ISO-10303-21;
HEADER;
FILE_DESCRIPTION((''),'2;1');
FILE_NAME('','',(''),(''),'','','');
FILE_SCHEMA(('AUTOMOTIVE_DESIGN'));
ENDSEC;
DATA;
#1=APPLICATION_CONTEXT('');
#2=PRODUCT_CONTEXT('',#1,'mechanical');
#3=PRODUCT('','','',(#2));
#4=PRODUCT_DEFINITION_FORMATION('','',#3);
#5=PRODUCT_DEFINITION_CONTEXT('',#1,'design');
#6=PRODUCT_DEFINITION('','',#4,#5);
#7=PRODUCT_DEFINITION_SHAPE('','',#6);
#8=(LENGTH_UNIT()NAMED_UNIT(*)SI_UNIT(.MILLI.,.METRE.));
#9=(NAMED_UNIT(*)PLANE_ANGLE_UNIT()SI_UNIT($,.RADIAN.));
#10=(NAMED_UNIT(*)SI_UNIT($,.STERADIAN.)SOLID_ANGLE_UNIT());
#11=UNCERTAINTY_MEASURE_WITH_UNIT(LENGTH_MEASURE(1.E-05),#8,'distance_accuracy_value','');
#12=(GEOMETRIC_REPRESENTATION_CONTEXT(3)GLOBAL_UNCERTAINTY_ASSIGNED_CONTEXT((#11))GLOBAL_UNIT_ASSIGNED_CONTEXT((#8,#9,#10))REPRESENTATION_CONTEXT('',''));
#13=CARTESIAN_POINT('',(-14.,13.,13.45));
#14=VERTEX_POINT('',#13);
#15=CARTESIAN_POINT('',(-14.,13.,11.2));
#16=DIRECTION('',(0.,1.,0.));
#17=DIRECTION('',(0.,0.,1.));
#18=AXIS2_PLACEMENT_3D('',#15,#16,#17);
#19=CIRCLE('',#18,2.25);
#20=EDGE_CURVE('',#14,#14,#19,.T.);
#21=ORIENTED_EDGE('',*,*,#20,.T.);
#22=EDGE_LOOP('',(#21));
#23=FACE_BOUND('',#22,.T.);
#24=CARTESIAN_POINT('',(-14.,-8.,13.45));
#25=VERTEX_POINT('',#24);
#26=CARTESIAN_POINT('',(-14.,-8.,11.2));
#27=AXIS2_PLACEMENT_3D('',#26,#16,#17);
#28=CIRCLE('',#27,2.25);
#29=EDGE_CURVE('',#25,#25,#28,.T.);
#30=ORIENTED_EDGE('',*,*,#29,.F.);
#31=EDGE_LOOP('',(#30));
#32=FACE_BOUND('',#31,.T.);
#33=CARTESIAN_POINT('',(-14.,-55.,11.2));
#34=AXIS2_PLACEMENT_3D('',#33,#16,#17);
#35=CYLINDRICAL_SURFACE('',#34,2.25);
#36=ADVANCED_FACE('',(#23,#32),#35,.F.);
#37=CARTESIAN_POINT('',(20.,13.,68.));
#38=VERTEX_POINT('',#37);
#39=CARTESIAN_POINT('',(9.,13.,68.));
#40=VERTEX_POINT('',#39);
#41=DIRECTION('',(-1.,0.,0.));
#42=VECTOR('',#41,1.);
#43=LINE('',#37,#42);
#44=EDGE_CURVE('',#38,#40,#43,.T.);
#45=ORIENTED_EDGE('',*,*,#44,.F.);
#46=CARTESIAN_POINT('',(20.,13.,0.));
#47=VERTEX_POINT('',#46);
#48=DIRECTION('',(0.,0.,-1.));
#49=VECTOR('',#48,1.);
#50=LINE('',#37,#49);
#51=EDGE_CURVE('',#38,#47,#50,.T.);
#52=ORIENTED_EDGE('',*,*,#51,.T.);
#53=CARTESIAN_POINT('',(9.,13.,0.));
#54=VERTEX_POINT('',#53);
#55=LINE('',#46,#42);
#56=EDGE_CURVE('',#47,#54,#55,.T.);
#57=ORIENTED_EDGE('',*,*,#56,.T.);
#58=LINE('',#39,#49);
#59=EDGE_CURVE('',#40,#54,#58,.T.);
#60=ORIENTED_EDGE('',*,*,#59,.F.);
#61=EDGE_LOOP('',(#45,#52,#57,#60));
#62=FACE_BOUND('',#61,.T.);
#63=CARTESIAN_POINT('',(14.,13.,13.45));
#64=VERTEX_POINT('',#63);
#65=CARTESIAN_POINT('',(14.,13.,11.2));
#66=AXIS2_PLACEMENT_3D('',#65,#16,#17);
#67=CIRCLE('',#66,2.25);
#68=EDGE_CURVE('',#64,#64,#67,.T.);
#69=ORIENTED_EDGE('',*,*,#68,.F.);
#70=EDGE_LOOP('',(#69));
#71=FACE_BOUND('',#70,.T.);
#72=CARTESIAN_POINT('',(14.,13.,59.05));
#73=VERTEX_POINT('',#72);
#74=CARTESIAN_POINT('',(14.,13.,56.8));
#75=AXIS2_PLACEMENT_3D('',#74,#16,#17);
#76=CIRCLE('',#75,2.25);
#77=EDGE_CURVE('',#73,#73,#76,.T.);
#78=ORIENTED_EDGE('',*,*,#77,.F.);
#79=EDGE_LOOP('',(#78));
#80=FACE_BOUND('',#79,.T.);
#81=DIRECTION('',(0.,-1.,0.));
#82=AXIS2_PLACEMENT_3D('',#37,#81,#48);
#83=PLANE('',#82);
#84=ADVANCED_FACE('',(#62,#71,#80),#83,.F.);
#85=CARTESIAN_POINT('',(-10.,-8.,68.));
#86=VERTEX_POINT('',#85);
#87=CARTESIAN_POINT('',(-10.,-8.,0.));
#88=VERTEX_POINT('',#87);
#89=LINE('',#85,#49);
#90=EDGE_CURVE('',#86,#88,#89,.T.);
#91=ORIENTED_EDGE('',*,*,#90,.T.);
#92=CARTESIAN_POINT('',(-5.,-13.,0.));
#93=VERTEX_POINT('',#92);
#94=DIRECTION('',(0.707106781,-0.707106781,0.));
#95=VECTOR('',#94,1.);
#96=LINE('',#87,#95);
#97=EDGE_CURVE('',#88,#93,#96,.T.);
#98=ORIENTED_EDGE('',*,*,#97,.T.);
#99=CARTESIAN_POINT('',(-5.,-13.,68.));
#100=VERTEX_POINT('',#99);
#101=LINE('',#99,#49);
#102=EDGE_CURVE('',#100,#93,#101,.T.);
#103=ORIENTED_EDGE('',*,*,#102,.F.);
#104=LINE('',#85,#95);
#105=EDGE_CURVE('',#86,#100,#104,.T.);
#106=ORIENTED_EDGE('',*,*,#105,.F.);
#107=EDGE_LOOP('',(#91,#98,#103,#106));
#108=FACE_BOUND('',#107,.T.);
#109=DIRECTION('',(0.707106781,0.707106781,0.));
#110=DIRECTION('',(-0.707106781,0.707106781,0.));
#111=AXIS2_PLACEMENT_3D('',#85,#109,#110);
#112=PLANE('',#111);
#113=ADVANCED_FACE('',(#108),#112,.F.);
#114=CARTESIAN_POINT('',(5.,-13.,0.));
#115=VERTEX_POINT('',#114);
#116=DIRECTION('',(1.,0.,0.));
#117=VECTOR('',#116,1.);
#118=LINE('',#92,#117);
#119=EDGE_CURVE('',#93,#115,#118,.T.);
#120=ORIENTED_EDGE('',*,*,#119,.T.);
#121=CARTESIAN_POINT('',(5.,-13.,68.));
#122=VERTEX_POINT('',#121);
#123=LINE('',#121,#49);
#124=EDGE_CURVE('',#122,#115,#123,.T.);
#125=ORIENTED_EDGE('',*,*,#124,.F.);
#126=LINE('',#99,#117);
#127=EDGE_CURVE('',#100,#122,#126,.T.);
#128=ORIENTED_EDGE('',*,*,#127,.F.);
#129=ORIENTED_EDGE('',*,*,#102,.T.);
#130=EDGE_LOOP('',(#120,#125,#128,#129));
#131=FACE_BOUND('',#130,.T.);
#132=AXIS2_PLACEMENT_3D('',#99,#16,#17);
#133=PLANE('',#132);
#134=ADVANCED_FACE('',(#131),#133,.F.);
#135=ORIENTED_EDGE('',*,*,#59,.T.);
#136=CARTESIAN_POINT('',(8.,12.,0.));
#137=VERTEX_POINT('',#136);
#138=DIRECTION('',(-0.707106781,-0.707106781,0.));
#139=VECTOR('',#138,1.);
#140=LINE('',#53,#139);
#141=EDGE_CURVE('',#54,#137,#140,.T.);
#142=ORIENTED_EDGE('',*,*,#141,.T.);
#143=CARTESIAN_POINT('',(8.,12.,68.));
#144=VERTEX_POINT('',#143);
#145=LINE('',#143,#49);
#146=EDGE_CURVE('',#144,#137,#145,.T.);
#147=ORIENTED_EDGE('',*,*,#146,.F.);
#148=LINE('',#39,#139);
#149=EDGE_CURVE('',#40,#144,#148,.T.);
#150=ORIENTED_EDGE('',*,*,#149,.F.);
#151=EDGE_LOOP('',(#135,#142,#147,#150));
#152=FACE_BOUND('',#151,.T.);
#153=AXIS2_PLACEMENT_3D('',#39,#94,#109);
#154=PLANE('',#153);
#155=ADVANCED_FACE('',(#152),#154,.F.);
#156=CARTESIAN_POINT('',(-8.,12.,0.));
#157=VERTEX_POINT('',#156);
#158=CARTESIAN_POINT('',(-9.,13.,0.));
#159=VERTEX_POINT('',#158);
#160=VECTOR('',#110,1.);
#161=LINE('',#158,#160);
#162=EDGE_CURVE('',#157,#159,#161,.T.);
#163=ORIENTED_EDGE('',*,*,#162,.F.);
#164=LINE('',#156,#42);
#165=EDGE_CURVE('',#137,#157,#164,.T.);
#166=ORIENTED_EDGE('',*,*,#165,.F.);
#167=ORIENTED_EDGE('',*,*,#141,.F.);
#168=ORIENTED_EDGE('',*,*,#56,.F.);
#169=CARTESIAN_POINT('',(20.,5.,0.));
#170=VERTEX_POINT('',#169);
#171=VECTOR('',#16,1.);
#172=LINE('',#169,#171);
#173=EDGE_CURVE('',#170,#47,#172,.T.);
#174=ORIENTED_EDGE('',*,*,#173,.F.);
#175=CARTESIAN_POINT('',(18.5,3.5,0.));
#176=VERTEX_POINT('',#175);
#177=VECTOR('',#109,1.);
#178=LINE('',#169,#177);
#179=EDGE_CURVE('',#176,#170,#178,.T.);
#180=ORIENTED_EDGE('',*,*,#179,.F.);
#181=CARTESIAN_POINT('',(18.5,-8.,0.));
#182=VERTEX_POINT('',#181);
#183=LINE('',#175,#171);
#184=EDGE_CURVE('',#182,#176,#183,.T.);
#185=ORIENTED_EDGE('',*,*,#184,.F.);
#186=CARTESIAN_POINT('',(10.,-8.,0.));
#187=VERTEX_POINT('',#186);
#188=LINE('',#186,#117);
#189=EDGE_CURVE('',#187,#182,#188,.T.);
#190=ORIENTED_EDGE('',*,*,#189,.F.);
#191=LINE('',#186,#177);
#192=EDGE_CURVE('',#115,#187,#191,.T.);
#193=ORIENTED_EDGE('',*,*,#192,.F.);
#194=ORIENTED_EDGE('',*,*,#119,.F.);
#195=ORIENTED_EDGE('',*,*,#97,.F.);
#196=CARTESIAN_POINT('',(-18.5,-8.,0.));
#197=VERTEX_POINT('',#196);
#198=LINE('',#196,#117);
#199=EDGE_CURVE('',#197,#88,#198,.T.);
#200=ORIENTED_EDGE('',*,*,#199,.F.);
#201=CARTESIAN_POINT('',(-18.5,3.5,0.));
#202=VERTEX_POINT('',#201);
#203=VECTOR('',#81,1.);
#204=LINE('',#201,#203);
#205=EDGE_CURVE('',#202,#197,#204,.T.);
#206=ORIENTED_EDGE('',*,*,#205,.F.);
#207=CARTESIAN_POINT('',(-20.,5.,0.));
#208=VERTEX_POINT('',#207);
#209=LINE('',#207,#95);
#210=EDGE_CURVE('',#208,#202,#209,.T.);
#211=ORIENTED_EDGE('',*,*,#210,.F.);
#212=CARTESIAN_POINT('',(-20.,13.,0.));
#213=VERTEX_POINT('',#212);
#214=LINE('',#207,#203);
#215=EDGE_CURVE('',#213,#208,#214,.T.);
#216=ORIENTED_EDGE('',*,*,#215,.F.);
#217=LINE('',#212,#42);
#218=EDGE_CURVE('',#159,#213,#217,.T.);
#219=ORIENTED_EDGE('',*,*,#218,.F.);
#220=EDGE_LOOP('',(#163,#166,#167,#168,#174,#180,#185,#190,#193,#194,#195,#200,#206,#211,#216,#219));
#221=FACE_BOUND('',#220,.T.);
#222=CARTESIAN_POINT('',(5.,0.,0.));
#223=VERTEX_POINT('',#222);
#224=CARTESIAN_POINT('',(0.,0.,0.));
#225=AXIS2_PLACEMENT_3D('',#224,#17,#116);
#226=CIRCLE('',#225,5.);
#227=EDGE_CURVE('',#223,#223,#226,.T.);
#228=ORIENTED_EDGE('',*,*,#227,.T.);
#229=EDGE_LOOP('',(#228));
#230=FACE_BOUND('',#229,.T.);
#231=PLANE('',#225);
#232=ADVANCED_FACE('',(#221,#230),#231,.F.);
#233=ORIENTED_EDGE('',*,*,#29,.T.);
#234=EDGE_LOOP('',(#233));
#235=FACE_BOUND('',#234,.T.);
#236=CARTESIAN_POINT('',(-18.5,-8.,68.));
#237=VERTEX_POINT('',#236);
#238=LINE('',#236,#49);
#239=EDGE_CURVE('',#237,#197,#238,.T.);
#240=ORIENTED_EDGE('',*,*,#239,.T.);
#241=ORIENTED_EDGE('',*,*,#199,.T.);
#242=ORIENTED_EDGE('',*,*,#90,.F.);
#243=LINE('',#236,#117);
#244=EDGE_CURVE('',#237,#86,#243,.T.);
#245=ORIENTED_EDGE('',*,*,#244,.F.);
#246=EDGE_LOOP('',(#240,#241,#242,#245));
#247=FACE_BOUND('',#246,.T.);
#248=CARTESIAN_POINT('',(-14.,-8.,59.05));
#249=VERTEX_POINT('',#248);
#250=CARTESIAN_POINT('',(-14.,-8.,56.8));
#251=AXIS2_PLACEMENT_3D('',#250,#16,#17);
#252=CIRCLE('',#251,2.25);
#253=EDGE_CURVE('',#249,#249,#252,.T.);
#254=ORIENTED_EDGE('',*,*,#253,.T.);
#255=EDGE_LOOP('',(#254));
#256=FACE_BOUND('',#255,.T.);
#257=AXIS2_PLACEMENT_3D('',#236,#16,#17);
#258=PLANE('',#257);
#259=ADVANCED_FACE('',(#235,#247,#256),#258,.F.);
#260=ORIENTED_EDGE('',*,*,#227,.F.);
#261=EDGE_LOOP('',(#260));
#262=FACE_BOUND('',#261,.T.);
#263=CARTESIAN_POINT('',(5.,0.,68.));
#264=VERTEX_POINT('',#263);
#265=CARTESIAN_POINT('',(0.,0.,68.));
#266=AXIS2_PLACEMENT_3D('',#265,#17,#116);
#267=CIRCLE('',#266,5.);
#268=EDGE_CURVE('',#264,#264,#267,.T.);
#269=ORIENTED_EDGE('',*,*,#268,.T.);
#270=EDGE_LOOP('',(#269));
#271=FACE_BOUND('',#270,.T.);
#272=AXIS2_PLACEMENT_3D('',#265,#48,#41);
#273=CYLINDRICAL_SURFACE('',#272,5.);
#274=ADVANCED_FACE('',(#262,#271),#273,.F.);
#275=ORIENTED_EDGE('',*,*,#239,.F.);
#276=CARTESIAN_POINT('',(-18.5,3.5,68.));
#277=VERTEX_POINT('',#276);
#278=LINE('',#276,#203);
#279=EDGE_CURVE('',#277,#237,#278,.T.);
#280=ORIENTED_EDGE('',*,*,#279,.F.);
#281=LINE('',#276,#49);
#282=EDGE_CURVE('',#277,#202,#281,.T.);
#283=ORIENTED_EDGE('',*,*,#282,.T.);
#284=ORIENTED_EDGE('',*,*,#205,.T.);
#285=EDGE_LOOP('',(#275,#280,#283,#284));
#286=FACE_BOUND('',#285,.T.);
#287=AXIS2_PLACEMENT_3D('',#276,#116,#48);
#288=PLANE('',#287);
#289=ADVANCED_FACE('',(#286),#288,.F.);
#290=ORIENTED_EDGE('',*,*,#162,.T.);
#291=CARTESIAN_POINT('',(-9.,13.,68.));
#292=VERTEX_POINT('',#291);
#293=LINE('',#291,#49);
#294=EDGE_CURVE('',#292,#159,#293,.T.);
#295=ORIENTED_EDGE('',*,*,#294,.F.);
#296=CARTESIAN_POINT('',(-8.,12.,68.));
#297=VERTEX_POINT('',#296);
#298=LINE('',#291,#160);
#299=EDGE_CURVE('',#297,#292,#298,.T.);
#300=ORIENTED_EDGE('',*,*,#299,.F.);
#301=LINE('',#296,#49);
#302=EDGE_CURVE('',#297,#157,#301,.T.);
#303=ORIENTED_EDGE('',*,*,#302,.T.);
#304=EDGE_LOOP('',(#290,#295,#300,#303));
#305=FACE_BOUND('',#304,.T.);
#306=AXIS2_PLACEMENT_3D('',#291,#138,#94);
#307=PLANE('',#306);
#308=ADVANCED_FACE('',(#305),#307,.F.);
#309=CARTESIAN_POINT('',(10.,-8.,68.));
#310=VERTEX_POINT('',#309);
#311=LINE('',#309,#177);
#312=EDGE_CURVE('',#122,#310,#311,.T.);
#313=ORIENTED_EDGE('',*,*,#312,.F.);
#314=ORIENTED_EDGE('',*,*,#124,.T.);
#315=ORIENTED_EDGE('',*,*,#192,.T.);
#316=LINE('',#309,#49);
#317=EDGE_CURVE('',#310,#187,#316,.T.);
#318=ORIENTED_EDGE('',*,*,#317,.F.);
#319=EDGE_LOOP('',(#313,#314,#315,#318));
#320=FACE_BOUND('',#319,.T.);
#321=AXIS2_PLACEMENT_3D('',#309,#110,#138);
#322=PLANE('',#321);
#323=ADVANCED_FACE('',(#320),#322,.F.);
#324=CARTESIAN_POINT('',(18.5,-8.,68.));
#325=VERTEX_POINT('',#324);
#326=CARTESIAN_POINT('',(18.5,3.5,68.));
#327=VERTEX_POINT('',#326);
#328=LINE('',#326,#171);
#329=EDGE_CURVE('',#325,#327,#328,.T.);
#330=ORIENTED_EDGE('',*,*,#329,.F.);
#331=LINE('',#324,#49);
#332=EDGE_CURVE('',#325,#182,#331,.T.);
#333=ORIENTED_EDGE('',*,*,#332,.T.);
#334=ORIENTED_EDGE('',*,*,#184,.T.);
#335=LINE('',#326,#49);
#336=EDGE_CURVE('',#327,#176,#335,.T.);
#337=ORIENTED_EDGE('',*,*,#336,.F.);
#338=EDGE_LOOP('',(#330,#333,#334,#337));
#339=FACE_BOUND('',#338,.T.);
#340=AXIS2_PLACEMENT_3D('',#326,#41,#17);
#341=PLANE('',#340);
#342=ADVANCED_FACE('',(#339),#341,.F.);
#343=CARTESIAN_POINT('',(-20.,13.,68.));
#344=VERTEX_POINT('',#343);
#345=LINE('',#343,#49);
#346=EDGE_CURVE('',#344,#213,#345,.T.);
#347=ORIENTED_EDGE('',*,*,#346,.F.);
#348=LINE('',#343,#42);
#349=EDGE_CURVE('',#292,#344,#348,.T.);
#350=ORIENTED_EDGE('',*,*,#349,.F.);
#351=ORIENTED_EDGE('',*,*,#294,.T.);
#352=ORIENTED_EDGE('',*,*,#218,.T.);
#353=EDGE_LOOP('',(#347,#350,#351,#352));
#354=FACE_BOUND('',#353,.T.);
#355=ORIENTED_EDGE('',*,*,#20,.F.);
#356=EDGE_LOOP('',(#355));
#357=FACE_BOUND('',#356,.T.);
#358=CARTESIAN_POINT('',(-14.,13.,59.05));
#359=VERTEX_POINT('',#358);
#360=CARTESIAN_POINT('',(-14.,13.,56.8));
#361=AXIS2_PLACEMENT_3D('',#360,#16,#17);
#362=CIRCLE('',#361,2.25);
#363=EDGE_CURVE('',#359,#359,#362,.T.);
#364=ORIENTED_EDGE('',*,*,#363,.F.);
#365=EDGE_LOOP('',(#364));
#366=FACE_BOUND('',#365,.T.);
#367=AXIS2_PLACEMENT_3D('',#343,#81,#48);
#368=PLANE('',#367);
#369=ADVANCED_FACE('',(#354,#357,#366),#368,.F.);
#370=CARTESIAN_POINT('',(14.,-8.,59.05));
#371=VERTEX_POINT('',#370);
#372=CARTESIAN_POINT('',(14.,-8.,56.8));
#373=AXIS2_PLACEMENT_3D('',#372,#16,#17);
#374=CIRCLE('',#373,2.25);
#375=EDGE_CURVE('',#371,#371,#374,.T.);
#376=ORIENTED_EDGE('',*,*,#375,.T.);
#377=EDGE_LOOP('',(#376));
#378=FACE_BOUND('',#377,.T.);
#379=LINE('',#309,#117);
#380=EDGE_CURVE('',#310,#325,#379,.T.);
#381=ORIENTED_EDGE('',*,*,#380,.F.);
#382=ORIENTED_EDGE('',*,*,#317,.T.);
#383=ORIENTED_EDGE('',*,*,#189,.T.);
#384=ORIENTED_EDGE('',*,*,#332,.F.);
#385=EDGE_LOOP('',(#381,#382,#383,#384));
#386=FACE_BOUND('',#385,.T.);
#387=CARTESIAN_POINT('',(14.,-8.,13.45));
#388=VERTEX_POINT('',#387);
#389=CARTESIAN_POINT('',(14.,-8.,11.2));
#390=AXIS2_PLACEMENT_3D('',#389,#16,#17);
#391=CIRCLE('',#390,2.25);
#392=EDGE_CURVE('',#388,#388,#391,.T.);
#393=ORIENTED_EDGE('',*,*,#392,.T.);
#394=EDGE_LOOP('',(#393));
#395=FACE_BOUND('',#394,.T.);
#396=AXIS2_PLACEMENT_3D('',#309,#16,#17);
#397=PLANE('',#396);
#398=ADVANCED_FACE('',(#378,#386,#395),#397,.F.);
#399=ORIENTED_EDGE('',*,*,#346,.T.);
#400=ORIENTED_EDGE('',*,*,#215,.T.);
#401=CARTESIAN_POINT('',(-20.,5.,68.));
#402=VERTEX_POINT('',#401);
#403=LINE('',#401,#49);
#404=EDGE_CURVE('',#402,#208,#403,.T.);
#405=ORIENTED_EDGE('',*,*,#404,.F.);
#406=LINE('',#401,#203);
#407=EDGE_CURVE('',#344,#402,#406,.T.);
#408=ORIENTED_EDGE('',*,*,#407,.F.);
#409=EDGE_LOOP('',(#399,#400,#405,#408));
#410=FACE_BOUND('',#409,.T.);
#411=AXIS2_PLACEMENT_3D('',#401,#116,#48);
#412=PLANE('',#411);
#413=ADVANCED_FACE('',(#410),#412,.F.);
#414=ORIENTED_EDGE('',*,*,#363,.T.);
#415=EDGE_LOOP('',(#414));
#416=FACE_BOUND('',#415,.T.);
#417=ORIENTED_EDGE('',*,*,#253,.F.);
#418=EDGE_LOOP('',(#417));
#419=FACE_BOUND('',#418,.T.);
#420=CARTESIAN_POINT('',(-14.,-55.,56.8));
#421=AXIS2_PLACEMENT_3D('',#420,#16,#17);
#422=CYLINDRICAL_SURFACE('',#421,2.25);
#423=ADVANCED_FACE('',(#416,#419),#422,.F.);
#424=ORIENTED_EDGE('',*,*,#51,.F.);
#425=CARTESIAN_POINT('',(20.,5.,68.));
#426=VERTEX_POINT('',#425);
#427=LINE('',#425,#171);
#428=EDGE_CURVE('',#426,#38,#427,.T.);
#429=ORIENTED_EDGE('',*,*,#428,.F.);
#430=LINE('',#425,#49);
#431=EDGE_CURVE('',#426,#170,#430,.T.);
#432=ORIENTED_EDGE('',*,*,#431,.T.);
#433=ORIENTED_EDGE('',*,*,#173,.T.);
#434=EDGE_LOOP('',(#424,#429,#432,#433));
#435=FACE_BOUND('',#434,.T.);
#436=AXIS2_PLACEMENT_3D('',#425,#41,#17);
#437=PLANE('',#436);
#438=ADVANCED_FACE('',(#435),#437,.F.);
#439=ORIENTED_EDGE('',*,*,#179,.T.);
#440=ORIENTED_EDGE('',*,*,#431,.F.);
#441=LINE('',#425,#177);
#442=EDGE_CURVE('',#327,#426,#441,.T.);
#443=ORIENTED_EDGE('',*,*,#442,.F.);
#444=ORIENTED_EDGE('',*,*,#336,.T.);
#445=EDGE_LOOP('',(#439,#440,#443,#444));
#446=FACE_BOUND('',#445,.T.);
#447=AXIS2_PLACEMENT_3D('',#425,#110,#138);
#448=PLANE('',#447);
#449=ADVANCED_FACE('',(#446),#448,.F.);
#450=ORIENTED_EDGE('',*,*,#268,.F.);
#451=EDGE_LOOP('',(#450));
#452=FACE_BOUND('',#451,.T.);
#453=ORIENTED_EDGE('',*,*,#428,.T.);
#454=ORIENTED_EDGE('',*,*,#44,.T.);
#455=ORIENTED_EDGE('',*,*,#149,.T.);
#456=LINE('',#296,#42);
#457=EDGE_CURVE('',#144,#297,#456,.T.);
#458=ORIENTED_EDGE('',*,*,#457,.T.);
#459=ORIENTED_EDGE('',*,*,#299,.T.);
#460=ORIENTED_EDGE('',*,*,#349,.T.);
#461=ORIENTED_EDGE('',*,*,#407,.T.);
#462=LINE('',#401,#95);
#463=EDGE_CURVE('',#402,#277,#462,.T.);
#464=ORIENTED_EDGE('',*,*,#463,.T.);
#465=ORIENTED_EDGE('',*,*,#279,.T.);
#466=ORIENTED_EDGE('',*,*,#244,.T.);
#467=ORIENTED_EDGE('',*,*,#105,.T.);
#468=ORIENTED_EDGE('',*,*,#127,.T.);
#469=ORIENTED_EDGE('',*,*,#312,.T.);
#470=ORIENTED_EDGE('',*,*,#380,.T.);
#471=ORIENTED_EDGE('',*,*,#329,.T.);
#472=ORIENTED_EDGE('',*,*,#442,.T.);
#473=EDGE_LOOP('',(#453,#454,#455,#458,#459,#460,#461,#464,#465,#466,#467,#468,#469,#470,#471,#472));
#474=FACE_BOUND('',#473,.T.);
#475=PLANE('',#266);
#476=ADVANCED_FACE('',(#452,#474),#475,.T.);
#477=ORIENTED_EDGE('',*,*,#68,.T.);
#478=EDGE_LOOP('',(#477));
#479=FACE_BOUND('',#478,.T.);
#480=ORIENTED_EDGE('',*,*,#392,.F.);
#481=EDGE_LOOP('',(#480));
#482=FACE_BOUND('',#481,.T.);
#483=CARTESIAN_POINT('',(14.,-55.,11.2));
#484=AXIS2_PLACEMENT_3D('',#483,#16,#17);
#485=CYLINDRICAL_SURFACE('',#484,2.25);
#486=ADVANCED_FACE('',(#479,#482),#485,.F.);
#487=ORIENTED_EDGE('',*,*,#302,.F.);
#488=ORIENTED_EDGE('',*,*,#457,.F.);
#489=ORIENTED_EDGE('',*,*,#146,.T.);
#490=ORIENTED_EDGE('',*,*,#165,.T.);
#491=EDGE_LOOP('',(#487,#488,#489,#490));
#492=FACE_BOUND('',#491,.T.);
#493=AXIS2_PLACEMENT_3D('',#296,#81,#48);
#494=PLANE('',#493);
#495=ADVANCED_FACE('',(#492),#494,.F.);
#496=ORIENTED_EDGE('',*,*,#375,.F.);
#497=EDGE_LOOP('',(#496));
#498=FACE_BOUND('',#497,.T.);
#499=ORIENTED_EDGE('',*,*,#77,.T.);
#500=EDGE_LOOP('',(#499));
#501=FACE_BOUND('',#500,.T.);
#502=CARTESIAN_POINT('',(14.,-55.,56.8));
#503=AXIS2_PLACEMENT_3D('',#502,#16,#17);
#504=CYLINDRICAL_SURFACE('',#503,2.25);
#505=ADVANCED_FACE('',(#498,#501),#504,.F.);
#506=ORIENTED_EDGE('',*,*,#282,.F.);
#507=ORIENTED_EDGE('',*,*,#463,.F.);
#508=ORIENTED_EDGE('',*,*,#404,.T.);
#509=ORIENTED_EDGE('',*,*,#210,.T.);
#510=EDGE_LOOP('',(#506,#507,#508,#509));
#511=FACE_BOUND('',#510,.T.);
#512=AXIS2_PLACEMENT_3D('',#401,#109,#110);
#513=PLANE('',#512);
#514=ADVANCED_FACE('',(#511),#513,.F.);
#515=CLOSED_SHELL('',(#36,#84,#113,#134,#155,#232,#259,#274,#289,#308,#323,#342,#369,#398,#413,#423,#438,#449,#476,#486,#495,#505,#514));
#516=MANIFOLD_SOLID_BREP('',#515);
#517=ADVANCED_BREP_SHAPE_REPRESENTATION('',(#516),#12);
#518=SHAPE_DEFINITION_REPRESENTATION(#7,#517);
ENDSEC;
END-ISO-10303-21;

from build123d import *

# Parameters (mm, degrees)
SKETCH1_R      = 5
EXTRUDE1_DEPTH = 68
SKETCH2_R      = 2.25
EXTRUDE2_DEPTH = 68


with BuildPart() as part:
    # Sketch1 → Extrude1 (new body)
    with BuildSketch(Plane.XY):
        Polygon((-18.5, -8), (-10, -8), (-5, -13), (5, -13), (10, -8), (18.5, -8), (18.5, 3.5), (20, 5), (20, 13), (9, 13), (8, 12), (-8, 12), (-9, 13), (-20, 13), (-20, 5), (-18.5, 3.5), align=None)
        Circle(SKETCH1_R, mode=Mode.SUBTRACT)
    extrude(amount=EXTRUDE1_DEPTH)

    # Sketch2 → Extrude2 (cut)
    with BuildSketch(Plane(origin=(0, 13, 0), x_dir=(1, 0, 0), z_dir=(0, 1, 0))):
        with Locations((-14, -11.2)):
            Circle(SKETCH2_R)
        with Locations((14, -11.2)):
            Circle(SKETCH2_R)
        with Locations((14, -56.8)):
            Circle(SKETCH2_R)
        with Locations((-14, -56.8)):
            Circle(SKETCH2_R)
    extrude(amount=-EXTRUDE2_DEPTH, mode=Mode.SUBTRACT)


solid = part.part
